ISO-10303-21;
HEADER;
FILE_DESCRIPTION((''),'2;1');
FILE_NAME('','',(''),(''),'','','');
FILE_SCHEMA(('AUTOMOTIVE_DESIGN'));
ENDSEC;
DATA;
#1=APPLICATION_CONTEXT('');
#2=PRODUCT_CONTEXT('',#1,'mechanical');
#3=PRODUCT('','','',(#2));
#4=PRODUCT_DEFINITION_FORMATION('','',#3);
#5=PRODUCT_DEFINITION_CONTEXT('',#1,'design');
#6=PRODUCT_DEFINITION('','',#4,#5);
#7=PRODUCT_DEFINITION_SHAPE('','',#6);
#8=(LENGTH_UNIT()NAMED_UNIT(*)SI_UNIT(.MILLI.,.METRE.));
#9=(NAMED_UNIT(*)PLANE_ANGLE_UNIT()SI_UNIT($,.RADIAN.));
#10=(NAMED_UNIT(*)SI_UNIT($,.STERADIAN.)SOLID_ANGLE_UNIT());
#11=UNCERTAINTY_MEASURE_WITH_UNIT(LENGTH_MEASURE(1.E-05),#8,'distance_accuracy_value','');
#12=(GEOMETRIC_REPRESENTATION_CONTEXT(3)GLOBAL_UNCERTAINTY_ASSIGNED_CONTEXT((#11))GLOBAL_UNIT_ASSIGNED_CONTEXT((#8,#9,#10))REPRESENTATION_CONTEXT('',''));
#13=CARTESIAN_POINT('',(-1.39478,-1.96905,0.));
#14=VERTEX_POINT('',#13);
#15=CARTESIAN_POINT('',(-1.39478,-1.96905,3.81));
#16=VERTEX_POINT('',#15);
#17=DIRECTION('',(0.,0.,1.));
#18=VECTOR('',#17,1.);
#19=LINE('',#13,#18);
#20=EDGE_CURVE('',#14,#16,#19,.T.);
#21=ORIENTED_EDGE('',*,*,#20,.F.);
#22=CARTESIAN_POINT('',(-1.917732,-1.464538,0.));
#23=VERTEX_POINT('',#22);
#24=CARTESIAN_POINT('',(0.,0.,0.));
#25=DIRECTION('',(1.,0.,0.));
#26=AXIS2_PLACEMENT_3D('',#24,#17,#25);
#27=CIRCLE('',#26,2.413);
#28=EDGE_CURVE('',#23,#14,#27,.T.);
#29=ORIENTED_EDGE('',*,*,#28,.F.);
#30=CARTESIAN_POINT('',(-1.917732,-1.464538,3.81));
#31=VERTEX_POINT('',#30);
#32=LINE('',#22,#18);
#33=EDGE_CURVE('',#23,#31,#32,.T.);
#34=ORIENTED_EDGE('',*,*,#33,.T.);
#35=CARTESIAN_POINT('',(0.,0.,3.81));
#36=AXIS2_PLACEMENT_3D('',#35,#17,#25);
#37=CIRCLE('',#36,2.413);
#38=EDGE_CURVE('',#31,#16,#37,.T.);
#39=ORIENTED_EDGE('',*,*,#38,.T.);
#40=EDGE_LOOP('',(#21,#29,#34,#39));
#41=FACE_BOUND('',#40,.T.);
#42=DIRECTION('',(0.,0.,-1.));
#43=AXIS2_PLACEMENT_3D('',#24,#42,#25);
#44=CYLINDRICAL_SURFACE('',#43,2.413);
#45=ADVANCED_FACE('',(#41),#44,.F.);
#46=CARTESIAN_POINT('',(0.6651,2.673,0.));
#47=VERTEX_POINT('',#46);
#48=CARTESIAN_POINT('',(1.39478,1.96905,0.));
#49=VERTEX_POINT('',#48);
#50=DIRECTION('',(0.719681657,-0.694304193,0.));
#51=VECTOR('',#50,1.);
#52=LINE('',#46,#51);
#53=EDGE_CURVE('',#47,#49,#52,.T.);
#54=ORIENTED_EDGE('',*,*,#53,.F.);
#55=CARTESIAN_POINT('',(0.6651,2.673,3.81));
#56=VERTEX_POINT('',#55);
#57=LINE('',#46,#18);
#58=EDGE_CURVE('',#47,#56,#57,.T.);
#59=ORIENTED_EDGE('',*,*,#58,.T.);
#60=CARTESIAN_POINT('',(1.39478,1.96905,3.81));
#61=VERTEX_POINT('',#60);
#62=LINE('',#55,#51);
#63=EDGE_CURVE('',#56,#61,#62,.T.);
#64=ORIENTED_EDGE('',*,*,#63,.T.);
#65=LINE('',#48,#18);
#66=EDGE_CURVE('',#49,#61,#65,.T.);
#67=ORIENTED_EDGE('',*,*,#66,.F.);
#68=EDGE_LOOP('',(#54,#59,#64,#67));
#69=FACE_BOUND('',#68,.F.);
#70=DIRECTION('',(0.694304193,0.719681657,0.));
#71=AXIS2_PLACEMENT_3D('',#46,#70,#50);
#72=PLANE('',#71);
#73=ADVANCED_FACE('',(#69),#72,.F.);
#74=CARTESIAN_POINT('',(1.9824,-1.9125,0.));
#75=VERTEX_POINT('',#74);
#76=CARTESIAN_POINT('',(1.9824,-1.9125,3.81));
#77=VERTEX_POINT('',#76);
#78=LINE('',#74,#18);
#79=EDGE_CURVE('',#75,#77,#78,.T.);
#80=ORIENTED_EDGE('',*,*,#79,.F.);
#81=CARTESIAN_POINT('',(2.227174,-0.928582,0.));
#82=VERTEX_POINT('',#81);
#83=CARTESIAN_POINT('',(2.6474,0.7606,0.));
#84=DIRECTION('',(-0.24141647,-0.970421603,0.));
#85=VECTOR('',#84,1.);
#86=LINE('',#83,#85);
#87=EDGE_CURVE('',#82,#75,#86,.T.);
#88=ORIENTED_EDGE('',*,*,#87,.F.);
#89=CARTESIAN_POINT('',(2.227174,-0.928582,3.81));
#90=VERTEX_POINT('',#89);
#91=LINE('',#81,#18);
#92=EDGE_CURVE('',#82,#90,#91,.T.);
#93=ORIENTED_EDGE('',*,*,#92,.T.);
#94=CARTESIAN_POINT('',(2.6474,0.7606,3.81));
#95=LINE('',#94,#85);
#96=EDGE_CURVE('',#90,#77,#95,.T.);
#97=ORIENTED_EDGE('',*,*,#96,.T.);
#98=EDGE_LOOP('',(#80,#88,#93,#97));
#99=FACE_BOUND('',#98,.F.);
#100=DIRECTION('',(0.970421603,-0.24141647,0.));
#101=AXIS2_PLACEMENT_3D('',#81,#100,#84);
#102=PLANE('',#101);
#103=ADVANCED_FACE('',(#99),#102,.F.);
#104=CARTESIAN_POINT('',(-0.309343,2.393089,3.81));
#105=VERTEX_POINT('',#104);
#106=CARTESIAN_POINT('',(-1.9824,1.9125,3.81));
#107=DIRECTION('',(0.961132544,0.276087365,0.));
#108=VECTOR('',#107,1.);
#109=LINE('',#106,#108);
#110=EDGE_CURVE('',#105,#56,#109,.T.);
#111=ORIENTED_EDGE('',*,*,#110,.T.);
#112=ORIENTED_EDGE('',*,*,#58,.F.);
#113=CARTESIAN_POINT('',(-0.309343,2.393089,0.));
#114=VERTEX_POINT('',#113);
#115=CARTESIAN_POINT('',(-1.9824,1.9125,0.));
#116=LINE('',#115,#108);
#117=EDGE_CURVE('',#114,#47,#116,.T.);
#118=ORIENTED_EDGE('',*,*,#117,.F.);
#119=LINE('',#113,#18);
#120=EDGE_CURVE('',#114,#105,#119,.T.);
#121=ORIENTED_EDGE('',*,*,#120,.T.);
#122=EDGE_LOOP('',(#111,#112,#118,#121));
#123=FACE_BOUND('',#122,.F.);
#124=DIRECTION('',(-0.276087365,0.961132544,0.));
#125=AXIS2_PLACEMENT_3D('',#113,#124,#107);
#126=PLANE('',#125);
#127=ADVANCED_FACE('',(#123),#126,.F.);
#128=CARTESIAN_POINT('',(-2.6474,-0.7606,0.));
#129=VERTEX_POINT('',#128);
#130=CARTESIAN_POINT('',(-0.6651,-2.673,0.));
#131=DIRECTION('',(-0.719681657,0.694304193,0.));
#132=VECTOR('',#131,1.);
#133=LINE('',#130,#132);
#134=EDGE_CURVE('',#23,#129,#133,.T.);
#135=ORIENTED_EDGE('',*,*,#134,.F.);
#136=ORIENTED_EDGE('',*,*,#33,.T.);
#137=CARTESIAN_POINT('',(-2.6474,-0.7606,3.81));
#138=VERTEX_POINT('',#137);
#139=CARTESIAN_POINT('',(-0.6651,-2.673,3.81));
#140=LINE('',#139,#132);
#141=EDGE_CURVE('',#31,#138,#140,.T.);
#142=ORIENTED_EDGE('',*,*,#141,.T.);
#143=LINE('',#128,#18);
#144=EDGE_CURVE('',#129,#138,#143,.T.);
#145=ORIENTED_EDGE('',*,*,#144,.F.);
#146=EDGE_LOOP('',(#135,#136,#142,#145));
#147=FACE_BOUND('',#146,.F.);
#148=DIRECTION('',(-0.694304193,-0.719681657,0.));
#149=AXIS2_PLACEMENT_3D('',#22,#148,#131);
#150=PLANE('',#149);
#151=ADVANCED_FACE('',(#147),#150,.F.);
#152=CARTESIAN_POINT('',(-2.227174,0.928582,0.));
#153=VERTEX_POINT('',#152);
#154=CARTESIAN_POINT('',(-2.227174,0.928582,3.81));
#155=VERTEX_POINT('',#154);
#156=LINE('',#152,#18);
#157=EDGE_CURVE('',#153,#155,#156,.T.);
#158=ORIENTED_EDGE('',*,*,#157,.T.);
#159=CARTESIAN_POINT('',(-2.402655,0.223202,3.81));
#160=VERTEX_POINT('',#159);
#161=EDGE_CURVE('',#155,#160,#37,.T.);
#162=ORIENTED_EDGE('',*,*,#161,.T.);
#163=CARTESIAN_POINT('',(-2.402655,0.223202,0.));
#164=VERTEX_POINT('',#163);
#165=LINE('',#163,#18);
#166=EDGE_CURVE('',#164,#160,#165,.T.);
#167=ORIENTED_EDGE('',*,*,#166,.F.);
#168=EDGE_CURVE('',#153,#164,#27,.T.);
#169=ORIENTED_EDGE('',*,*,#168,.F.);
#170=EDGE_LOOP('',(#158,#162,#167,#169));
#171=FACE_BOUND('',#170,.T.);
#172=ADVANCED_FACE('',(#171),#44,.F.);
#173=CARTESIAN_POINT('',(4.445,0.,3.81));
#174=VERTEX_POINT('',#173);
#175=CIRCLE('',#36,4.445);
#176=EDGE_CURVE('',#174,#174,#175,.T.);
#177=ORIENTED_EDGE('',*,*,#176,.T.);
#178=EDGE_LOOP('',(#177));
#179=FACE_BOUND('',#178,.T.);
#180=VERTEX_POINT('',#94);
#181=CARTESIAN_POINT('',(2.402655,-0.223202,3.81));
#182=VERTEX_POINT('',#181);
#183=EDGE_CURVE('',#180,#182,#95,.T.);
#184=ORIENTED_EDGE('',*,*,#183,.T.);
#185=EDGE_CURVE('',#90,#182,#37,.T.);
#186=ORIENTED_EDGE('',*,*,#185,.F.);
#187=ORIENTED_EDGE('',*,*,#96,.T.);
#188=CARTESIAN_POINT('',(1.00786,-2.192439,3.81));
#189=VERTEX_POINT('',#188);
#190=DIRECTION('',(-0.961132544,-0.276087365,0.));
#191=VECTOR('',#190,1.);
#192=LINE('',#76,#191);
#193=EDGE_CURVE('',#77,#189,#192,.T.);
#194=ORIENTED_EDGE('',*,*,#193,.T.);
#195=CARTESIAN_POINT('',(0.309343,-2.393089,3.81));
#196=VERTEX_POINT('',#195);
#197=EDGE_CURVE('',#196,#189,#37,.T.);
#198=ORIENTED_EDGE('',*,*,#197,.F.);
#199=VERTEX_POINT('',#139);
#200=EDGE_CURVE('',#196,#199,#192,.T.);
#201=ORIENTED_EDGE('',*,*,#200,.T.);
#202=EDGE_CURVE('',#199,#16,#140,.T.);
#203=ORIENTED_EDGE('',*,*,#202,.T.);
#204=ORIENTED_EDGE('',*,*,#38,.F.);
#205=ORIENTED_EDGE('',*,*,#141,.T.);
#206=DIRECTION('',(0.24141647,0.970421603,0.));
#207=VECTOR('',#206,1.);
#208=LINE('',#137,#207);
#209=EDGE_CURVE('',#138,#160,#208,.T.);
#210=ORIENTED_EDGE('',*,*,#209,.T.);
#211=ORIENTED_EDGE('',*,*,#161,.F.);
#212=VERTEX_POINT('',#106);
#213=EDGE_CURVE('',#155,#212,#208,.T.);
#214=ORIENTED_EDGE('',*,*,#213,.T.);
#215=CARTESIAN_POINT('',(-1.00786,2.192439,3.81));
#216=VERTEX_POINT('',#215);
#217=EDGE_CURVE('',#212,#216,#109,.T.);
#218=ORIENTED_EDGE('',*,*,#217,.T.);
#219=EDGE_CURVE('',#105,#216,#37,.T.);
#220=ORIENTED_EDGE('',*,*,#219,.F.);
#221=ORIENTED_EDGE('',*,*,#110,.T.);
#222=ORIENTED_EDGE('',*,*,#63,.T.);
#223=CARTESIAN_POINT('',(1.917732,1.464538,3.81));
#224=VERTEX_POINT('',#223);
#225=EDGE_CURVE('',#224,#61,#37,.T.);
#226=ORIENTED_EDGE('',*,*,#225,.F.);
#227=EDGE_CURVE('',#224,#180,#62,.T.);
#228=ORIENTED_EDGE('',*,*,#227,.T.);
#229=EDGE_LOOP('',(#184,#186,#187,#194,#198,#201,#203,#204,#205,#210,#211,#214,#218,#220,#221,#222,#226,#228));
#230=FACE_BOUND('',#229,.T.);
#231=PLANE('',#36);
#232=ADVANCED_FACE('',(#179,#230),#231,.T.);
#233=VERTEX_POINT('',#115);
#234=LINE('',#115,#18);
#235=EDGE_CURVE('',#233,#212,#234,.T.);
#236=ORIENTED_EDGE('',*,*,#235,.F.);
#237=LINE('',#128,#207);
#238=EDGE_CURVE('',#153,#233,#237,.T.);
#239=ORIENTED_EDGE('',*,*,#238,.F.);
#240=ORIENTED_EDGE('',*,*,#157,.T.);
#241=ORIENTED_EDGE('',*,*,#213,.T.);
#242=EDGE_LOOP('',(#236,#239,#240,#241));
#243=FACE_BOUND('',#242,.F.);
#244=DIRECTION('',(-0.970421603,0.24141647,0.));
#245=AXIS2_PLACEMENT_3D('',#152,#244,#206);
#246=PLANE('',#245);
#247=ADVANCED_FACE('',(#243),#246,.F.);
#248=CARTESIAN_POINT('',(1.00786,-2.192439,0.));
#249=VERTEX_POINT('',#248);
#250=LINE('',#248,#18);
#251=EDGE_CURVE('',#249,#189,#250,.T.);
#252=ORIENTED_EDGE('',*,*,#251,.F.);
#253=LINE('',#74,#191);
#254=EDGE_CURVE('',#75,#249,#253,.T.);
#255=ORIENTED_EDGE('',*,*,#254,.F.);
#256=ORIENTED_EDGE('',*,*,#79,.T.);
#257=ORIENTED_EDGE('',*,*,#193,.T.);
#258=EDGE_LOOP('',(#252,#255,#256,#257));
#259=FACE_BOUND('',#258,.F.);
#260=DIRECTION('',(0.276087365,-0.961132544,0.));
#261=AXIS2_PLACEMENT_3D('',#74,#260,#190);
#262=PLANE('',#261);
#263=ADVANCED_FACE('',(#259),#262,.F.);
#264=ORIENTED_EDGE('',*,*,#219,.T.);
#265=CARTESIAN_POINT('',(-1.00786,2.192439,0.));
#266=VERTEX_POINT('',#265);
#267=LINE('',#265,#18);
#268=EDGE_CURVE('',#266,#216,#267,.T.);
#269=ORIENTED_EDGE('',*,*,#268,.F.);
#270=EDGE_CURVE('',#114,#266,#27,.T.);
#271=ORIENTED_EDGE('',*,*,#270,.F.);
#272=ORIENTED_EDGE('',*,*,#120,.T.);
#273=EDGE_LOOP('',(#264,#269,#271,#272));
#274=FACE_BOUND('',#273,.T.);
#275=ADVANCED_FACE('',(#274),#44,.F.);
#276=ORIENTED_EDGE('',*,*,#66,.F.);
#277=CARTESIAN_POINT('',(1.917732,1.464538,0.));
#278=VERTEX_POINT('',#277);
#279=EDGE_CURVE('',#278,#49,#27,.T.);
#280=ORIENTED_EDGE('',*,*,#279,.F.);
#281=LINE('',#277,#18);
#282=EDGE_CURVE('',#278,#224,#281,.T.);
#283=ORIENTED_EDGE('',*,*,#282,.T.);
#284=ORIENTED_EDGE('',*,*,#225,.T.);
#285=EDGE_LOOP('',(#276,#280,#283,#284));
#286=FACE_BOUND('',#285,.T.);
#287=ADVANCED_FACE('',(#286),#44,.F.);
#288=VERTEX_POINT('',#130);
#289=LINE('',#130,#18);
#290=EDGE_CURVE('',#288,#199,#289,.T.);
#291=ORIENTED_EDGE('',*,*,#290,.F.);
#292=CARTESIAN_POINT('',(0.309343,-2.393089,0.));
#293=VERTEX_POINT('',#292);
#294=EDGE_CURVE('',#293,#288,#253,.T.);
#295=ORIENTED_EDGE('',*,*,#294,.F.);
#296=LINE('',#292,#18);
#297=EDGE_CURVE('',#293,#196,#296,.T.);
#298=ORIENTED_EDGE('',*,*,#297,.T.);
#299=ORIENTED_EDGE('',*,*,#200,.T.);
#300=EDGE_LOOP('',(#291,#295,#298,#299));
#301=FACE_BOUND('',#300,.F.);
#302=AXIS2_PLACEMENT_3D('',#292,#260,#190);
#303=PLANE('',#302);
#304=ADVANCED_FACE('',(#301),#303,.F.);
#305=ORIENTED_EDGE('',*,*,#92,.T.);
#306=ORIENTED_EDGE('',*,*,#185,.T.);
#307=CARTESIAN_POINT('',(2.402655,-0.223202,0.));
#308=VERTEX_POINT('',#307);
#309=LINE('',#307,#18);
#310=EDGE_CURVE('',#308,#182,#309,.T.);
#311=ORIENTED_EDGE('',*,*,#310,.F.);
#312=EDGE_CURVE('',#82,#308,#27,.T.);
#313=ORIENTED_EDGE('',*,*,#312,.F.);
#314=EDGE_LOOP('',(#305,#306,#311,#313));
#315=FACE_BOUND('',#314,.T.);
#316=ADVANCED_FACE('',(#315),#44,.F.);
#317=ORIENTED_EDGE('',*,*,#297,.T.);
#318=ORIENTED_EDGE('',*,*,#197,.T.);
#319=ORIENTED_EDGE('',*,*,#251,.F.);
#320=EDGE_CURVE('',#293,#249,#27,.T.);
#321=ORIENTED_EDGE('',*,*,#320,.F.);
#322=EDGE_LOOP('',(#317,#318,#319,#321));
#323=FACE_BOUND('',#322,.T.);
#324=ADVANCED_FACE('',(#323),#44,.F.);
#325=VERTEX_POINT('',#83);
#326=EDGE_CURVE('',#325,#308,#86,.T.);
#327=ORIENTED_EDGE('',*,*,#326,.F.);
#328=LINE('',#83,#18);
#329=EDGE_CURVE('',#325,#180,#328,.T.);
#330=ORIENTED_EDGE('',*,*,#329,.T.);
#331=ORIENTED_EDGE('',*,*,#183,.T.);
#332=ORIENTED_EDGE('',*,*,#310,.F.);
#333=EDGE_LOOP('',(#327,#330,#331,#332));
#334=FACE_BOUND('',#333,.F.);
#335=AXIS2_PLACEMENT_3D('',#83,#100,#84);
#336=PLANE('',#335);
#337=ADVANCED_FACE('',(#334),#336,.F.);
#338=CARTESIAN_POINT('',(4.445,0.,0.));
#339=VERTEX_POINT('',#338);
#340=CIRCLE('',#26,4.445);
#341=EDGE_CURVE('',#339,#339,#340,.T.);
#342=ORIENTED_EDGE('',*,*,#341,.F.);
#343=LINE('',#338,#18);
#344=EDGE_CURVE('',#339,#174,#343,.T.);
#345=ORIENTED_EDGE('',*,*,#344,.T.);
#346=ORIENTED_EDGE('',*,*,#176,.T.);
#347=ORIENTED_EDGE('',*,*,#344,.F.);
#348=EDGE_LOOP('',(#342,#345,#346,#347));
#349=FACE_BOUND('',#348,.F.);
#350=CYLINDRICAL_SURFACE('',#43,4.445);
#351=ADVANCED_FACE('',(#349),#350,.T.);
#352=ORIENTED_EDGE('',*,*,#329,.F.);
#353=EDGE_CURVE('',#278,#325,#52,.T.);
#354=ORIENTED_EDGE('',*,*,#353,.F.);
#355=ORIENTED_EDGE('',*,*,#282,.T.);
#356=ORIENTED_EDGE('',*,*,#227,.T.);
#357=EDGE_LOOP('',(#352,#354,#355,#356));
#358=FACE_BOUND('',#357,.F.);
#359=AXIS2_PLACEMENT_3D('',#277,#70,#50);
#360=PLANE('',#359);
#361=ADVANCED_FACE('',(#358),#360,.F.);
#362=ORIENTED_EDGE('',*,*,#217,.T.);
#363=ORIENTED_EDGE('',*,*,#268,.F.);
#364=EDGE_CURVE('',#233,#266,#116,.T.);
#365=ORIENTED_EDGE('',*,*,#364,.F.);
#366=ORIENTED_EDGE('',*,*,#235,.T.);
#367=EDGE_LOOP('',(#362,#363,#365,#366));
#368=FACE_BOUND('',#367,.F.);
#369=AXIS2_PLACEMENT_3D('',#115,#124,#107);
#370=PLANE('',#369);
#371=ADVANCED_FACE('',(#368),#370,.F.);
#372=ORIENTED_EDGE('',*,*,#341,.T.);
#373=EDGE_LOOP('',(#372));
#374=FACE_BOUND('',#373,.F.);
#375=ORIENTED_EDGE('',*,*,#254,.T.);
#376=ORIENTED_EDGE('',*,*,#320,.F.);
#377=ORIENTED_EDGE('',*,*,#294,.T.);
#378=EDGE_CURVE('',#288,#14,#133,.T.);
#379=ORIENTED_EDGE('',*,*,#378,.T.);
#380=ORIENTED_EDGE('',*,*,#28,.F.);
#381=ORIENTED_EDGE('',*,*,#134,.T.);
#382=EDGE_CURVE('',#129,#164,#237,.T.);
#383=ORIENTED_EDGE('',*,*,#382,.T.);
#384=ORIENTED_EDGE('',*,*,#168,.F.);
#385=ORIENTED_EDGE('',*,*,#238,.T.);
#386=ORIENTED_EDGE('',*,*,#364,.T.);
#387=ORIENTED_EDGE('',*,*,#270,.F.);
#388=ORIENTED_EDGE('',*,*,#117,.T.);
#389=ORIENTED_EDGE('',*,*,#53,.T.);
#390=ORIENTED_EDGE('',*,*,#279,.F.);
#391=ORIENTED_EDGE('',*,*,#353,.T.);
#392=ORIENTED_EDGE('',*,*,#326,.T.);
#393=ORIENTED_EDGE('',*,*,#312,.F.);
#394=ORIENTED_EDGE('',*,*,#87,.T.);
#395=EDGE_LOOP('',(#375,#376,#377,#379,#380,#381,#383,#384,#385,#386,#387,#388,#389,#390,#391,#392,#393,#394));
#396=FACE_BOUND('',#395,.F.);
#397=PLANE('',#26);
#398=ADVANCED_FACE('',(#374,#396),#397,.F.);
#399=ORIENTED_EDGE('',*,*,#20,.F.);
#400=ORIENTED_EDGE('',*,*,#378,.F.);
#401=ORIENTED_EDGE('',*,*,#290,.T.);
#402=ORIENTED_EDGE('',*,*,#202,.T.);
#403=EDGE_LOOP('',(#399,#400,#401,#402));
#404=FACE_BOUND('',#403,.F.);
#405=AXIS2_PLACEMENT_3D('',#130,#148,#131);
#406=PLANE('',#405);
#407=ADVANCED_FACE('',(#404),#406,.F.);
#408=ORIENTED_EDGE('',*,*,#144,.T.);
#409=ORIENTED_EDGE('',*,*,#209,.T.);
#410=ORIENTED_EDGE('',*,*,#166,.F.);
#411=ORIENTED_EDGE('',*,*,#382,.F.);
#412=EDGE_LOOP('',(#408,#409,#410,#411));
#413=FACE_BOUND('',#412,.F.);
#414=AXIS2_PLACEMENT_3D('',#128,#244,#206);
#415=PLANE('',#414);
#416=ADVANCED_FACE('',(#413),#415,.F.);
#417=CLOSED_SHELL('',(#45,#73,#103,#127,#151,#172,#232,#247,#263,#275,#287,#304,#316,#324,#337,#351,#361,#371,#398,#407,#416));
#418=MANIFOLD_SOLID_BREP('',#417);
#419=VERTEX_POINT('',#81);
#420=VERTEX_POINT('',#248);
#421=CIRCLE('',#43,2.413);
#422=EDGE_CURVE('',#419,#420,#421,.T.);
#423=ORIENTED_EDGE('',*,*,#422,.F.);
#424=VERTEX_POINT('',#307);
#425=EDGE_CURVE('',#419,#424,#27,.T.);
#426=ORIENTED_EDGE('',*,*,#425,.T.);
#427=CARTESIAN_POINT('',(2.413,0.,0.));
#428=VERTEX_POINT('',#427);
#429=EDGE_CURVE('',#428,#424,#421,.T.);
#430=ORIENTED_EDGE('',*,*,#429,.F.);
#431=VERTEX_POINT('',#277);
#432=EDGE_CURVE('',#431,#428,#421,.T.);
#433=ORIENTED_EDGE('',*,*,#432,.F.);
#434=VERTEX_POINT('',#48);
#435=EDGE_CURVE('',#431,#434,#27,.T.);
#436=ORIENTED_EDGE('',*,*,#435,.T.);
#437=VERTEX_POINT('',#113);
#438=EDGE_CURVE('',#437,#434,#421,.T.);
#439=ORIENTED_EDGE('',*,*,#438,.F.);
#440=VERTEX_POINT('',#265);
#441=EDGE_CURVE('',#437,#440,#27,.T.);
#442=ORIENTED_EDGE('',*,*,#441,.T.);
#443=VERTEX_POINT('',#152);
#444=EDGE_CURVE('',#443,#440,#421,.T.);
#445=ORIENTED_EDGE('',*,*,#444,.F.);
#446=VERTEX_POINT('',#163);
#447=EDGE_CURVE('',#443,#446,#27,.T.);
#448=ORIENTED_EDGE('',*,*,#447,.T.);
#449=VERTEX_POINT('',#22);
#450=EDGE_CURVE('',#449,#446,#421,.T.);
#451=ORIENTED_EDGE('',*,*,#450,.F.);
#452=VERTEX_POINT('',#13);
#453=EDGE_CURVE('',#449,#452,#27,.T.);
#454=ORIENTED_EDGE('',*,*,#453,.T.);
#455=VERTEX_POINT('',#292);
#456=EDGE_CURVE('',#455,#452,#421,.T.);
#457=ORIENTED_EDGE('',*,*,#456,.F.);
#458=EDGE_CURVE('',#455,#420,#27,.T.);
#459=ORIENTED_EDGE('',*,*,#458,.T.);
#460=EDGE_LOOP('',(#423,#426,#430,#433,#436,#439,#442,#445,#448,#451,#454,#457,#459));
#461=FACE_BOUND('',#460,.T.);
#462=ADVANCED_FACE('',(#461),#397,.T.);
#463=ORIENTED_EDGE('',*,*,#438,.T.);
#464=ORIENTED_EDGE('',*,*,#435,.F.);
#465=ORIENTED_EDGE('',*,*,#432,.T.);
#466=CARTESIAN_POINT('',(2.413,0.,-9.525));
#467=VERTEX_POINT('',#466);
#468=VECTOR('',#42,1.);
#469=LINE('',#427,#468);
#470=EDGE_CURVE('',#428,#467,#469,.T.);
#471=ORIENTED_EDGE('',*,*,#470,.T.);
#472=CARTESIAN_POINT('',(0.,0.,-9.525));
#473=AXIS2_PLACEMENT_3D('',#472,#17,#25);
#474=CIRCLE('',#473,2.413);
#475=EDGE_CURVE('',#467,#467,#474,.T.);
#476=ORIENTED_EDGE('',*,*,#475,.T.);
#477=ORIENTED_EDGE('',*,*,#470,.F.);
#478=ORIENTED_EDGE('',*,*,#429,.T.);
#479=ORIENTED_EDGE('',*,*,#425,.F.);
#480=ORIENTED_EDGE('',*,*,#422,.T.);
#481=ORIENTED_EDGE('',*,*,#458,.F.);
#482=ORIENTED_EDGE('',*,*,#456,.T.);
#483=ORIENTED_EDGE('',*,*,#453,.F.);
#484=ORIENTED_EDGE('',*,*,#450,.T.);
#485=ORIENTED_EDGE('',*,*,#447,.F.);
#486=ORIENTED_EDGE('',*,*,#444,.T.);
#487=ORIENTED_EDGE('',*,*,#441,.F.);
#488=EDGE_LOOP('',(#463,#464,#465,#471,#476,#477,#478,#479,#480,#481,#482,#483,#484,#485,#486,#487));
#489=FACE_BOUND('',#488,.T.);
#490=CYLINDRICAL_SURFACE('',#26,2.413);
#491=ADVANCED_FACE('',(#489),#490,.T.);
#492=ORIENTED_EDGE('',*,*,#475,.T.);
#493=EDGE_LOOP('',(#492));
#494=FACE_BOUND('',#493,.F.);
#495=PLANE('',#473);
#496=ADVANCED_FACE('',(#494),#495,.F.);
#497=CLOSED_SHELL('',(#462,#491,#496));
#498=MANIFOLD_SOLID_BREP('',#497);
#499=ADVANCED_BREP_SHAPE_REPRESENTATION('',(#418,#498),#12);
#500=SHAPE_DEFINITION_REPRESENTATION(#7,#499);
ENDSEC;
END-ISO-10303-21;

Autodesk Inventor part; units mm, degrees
ref_plane "YZ Plane" through (0, 0, 0) normal (1, 0, 0) x (0, 1, 0)
ref_plane "XZ Plane" through (0, 0, 0) normal (0, 1, 0) x (-1, 0, 0)
ref_plane "XY Plane" through (0, 0, 0) normal (0, 0, 1) x (1, 0, 0)
sketch "Sketch1" plane through (0, 0, 0) normal (0, 0, 1) x (1, 0, 0)
  circle A0 centre (0, 0) radius 4.445
  circle A1 centre (0, 0) radius 2.413
  line L0 (0.6651, 2.673) -> (2.6474, 0.7606)
  line L1 (2.6474, 0.7606) -> (1.9824, -1.9125)
  line L2 (1.9824, -1.9125) -> (-0.6651, -2.673)
  line L3 (-0.6651, -2.673) -> (-2.6474, -0.7606)
  line L4 (-2.6474, -0.7606) -> (-1.9824, 1.9125)
  line L5 (-1.9824, 1.9125) -> (0.6651, 2.673)
  dimension "d0" = 4.826
  dimension "d1" = 8.89
extrude "Extrusion1" add sketch "Sketch1" against normal blind 9.525 contours A1 L1 L2 L3 L4 L5 L0 | L0 A1 | A1 L1 | L5 A1 | A1 L2 | L4 A1 | A1 L3
extrude "Extrusion2" add sketch "Sketch1" along normal blind 3.81
thread "Thread1" size "10-32 UNF" class "2A" standard "ANSI Unified Screw Threads" full length
properties part number "Borl BD Drill motor mount"
